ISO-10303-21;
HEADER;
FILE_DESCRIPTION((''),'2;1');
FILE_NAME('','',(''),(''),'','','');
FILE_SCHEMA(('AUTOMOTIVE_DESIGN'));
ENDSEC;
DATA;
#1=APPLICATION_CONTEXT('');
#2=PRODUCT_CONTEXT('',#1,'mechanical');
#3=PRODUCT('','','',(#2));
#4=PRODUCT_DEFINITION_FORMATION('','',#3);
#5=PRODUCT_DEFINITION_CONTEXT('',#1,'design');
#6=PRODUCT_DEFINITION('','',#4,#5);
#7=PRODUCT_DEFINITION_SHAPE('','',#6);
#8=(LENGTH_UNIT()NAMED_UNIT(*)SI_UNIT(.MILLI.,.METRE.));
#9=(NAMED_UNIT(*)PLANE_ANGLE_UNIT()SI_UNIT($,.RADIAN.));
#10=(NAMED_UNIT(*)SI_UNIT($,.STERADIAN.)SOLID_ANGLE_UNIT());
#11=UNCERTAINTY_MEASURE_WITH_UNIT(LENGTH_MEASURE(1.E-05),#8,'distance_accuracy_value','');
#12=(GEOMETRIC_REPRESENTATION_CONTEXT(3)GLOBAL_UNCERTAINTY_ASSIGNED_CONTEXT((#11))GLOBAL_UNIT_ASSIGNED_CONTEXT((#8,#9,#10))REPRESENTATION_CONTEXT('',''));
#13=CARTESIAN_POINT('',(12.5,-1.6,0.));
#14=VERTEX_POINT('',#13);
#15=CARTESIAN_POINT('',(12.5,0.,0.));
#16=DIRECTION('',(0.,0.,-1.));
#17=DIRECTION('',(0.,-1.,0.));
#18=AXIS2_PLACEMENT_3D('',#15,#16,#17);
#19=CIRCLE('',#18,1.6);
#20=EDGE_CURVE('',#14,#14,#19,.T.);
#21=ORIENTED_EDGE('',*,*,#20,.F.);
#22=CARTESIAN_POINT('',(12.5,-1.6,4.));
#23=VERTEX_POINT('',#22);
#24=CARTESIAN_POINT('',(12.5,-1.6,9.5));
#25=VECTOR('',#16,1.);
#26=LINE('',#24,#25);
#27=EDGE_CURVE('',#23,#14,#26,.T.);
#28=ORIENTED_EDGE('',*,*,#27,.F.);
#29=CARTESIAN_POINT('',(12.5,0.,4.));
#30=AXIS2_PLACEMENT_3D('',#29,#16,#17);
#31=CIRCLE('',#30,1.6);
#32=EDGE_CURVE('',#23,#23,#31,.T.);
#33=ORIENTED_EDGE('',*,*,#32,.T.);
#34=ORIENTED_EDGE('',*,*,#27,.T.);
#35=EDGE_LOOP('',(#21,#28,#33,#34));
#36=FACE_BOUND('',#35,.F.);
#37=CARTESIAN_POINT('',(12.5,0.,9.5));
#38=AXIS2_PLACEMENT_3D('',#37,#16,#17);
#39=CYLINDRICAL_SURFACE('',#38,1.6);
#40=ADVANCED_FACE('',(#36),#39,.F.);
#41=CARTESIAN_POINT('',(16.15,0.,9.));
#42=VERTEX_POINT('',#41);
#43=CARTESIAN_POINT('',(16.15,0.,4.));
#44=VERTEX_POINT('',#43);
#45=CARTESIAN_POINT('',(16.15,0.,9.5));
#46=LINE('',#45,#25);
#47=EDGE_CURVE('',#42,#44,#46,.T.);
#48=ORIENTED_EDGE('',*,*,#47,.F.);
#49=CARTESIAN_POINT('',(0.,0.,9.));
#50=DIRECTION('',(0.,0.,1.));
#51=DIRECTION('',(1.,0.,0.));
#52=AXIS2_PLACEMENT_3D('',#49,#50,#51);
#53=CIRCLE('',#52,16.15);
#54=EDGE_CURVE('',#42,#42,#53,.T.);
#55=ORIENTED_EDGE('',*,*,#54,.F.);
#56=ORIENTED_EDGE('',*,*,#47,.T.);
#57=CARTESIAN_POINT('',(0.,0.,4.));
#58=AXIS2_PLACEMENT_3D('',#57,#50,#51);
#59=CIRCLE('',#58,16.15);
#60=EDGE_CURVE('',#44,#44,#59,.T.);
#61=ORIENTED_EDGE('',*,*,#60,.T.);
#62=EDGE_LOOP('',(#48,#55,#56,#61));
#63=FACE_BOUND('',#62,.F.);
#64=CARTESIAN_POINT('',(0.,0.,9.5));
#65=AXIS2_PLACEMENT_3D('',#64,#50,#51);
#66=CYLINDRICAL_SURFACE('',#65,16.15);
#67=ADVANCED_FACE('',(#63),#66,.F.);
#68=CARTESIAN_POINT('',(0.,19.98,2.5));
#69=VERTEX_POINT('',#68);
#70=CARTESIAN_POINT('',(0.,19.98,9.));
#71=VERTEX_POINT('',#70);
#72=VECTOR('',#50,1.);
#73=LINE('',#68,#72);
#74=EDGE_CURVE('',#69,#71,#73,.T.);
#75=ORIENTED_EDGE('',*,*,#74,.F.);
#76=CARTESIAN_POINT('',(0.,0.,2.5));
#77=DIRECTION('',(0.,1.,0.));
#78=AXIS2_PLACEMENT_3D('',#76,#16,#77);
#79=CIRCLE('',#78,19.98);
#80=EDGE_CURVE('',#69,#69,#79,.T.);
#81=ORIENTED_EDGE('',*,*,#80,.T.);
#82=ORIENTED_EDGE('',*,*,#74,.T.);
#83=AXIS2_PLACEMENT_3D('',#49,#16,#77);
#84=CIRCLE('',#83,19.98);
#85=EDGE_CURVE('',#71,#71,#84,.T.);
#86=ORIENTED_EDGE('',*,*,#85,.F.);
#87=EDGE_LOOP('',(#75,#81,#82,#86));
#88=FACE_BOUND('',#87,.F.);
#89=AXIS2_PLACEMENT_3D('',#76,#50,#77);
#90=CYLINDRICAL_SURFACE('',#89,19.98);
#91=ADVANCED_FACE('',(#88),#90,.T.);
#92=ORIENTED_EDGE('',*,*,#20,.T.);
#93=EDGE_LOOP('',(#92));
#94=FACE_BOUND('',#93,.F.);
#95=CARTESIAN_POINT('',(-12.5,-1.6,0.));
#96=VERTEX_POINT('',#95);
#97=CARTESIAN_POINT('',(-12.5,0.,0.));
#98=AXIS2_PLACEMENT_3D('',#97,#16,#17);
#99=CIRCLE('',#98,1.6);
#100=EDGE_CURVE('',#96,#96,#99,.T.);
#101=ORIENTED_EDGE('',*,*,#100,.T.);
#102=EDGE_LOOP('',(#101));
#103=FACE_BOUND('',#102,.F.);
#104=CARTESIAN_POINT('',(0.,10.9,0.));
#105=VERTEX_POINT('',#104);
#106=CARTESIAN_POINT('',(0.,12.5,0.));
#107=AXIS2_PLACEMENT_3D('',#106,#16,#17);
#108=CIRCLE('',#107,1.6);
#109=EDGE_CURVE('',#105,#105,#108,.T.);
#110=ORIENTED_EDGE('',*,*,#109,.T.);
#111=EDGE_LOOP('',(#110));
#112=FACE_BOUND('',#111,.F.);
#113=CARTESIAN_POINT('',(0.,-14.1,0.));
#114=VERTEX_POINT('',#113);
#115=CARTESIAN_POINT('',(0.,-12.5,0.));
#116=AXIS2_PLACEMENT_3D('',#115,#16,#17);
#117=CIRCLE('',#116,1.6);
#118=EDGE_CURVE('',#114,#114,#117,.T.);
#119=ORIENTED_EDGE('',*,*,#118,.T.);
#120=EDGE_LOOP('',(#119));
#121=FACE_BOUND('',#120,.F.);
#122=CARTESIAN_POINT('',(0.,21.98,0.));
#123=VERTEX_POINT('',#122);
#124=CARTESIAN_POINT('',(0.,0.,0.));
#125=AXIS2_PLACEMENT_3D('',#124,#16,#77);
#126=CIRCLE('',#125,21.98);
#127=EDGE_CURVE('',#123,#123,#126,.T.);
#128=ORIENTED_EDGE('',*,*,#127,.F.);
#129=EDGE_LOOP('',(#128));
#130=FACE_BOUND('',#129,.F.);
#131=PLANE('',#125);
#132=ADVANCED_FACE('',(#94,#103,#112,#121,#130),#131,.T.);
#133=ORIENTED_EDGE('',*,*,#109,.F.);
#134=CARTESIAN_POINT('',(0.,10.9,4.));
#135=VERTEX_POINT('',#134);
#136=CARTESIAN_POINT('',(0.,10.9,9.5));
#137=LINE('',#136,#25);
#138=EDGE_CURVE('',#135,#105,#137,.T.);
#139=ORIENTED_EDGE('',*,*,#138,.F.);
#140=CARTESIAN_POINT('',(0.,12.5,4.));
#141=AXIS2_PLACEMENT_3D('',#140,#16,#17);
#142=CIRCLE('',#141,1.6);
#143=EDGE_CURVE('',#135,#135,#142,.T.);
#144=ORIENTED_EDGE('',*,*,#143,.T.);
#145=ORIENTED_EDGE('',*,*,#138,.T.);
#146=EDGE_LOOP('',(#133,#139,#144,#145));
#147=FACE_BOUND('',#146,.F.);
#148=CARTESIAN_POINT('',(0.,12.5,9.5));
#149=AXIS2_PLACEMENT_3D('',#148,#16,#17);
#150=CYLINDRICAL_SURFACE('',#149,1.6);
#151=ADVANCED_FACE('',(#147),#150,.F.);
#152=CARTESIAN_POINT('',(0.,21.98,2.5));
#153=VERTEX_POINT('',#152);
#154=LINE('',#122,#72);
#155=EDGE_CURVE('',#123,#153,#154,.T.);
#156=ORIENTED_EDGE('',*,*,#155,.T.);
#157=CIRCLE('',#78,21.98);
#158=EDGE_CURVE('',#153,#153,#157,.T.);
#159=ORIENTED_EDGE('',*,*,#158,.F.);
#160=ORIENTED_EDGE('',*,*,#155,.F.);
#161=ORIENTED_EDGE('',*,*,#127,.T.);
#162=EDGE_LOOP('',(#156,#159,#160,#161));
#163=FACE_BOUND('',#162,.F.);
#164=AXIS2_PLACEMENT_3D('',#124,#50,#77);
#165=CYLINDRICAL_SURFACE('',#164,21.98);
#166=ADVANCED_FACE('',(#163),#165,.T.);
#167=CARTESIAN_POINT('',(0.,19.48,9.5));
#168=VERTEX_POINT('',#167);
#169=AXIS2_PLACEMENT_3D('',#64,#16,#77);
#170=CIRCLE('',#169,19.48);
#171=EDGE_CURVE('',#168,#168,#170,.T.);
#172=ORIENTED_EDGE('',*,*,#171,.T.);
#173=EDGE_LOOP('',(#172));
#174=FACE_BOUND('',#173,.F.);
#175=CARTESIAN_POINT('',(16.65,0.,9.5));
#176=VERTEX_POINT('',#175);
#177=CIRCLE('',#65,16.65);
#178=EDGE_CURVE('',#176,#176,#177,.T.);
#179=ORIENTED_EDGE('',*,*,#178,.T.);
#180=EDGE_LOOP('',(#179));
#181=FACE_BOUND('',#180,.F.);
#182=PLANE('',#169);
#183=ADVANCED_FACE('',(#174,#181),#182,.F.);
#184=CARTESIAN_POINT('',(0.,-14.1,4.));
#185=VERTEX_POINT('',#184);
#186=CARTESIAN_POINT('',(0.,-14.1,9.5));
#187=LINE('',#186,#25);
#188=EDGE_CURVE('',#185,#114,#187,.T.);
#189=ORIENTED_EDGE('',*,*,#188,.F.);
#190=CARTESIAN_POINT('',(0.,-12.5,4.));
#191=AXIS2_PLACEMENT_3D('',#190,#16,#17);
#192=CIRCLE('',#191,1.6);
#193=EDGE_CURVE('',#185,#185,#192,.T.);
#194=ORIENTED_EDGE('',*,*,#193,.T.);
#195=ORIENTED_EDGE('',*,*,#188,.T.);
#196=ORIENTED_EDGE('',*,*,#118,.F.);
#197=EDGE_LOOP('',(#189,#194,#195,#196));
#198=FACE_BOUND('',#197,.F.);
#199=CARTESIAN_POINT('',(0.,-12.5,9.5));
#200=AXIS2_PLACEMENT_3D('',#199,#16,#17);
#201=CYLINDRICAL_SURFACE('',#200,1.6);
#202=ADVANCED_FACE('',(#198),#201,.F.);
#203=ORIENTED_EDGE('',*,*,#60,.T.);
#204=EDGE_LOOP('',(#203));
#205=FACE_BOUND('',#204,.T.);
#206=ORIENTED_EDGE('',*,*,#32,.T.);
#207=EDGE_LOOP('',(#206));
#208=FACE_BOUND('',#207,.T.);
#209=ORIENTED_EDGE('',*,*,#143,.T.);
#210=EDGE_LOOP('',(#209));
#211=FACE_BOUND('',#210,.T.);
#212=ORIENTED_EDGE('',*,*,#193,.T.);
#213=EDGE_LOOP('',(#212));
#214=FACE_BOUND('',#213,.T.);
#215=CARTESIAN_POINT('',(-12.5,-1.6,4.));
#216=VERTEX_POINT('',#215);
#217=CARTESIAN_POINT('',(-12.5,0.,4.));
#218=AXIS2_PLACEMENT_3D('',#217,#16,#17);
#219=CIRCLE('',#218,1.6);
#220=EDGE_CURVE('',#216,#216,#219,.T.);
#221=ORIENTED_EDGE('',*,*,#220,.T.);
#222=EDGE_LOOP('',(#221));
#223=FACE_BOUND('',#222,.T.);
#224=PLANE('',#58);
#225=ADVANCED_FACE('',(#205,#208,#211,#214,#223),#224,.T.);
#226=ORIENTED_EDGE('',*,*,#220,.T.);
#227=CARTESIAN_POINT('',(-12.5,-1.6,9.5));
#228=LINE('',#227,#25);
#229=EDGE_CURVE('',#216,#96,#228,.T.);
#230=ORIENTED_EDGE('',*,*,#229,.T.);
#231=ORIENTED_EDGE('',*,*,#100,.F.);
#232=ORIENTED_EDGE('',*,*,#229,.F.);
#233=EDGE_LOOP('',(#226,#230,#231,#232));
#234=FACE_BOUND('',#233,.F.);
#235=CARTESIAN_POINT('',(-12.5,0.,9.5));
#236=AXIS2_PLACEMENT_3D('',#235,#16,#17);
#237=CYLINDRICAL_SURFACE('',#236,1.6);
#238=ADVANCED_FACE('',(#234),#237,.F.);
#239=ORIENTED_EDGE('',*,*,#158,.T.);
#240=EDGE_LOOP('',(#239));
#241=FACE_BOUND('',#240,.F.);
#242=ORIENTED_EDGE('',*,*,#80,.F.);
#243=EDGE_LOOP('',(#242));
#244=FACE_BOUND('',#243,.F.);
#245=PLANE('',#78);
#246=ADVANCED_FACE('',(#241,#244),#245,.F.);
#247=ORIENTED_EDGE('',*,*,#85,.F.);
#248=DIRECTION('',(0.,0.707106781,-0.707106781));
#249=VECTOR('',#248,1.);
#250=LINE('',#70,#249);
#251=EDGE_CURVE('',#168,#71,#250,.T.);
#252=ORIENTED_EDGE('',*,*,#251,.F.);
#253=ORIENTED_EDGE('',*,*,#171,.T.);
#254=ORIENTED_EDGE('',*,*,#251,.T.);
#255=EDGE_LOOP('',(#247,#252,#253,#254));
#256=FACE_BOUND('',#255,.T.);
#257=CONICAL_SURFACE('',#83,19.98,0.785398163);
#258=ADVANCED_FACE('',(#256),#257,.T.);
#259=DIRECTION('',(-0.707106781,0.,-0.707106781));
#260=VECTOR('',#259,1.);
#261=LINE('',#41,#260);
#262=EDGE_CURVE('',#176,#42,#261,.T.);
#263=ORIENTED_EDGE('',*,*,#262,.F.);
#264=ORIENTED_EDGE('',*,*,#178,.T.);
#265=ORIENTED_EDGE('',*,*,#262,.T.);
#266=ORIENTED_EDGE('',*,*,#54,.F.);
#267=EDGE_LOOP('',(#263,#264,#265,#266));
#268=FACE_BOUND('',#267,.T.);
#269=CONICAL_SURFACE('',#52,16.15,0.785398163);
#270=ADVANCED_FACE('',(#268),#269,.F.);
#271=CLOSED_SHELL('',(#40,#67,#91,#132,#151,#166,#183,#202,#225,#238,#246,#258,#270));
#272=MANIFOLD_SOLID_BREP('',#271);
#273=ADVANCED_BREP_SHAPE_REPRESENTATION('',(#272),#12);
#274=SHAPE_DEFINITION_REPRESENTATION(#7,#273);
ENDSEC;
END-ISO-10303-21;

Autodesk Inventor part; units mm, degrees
ref_plane "YZ Plane" through (0, 0, 0) normal (1, 0, 0) x (0, 1, 0)
ref_plane "XZ Plane" through (0, 0, 0) normal (0, 1, 0) x (-1, 0, 0)
ref_plane "XY Plane" through (0, 0, 0) normal (0, 0, 1) x (1, 0, 0)
sketch "スケッチ1" plane through (0, 0, 0) normal (1, 0, 0) x (0, 1, 0)
  line L0 (21.98, 0) -> (21.98, 2.5)
  line L1 (21.98, 2.5) -> (19.98, 2.5)
  line L2 (19.98, 2.5) -> (19.98, 9.5)
  line L3 (19.98, 9.5) -> (0, 9.5)
  line L4 (0, 9.5) -> (0, 0)
  line L5 (0, 0) -> (21.98, 0)
  dimension "d0" = 19.98
  dimension "d1" = 7
  dimension "d2" = 2.5
  dimension "d3" = 2
revolve "回転1" add sketch "スケッチ1" angle 360 about axis through (0, 0, 9.5) along (0, 0, -1)
chamfer "面取り1" distance 0.5 angle 45 1 edges at (0, -19.98, 9.5)
sketch "スケッチ4" plane through (0, 0, 9.5) normal (0, 0, 1) x (1, 0, 0)
  circle A0 centre (0, 0) radius 12.5
  point P0 (0, 0)
  point P1 (0, 12.5)
  point P2 (-12.5, 0)
  point P3 (0, -12.5)
  point P4 (12.5, 0)
  dimension "d13" = 25
  dimension "d16" = 360
hole "穴1" at (0, 12.5, 9.5) at (-12.5, 0, 9.5) at (0, -12.5, 9.5) at (12.5, 0, 9.5) direction (0, 0, -1) diameter 3.2 end through all clearance for "Flat Head Machine Screw" size "M3" standard "Ansi Metric M Profile"
sketch "スケッチ5" plane through (0, 0, 9.5) normal (0, 0, 1) x (1, 0, 0)
  circle A0 centre (0, 0) radius 16.15
  point P0 (0, 0)
  dimension "d30" = 32.3
extrude "押し出し4" cut sketch "スケッチ5" against normal blind 5.5
chamfer "面取り2" distance 0.5 angle 45 1 edges at (-16.15, 0, 9.5)
properties part number "base13" material "ABS プラスチック"
